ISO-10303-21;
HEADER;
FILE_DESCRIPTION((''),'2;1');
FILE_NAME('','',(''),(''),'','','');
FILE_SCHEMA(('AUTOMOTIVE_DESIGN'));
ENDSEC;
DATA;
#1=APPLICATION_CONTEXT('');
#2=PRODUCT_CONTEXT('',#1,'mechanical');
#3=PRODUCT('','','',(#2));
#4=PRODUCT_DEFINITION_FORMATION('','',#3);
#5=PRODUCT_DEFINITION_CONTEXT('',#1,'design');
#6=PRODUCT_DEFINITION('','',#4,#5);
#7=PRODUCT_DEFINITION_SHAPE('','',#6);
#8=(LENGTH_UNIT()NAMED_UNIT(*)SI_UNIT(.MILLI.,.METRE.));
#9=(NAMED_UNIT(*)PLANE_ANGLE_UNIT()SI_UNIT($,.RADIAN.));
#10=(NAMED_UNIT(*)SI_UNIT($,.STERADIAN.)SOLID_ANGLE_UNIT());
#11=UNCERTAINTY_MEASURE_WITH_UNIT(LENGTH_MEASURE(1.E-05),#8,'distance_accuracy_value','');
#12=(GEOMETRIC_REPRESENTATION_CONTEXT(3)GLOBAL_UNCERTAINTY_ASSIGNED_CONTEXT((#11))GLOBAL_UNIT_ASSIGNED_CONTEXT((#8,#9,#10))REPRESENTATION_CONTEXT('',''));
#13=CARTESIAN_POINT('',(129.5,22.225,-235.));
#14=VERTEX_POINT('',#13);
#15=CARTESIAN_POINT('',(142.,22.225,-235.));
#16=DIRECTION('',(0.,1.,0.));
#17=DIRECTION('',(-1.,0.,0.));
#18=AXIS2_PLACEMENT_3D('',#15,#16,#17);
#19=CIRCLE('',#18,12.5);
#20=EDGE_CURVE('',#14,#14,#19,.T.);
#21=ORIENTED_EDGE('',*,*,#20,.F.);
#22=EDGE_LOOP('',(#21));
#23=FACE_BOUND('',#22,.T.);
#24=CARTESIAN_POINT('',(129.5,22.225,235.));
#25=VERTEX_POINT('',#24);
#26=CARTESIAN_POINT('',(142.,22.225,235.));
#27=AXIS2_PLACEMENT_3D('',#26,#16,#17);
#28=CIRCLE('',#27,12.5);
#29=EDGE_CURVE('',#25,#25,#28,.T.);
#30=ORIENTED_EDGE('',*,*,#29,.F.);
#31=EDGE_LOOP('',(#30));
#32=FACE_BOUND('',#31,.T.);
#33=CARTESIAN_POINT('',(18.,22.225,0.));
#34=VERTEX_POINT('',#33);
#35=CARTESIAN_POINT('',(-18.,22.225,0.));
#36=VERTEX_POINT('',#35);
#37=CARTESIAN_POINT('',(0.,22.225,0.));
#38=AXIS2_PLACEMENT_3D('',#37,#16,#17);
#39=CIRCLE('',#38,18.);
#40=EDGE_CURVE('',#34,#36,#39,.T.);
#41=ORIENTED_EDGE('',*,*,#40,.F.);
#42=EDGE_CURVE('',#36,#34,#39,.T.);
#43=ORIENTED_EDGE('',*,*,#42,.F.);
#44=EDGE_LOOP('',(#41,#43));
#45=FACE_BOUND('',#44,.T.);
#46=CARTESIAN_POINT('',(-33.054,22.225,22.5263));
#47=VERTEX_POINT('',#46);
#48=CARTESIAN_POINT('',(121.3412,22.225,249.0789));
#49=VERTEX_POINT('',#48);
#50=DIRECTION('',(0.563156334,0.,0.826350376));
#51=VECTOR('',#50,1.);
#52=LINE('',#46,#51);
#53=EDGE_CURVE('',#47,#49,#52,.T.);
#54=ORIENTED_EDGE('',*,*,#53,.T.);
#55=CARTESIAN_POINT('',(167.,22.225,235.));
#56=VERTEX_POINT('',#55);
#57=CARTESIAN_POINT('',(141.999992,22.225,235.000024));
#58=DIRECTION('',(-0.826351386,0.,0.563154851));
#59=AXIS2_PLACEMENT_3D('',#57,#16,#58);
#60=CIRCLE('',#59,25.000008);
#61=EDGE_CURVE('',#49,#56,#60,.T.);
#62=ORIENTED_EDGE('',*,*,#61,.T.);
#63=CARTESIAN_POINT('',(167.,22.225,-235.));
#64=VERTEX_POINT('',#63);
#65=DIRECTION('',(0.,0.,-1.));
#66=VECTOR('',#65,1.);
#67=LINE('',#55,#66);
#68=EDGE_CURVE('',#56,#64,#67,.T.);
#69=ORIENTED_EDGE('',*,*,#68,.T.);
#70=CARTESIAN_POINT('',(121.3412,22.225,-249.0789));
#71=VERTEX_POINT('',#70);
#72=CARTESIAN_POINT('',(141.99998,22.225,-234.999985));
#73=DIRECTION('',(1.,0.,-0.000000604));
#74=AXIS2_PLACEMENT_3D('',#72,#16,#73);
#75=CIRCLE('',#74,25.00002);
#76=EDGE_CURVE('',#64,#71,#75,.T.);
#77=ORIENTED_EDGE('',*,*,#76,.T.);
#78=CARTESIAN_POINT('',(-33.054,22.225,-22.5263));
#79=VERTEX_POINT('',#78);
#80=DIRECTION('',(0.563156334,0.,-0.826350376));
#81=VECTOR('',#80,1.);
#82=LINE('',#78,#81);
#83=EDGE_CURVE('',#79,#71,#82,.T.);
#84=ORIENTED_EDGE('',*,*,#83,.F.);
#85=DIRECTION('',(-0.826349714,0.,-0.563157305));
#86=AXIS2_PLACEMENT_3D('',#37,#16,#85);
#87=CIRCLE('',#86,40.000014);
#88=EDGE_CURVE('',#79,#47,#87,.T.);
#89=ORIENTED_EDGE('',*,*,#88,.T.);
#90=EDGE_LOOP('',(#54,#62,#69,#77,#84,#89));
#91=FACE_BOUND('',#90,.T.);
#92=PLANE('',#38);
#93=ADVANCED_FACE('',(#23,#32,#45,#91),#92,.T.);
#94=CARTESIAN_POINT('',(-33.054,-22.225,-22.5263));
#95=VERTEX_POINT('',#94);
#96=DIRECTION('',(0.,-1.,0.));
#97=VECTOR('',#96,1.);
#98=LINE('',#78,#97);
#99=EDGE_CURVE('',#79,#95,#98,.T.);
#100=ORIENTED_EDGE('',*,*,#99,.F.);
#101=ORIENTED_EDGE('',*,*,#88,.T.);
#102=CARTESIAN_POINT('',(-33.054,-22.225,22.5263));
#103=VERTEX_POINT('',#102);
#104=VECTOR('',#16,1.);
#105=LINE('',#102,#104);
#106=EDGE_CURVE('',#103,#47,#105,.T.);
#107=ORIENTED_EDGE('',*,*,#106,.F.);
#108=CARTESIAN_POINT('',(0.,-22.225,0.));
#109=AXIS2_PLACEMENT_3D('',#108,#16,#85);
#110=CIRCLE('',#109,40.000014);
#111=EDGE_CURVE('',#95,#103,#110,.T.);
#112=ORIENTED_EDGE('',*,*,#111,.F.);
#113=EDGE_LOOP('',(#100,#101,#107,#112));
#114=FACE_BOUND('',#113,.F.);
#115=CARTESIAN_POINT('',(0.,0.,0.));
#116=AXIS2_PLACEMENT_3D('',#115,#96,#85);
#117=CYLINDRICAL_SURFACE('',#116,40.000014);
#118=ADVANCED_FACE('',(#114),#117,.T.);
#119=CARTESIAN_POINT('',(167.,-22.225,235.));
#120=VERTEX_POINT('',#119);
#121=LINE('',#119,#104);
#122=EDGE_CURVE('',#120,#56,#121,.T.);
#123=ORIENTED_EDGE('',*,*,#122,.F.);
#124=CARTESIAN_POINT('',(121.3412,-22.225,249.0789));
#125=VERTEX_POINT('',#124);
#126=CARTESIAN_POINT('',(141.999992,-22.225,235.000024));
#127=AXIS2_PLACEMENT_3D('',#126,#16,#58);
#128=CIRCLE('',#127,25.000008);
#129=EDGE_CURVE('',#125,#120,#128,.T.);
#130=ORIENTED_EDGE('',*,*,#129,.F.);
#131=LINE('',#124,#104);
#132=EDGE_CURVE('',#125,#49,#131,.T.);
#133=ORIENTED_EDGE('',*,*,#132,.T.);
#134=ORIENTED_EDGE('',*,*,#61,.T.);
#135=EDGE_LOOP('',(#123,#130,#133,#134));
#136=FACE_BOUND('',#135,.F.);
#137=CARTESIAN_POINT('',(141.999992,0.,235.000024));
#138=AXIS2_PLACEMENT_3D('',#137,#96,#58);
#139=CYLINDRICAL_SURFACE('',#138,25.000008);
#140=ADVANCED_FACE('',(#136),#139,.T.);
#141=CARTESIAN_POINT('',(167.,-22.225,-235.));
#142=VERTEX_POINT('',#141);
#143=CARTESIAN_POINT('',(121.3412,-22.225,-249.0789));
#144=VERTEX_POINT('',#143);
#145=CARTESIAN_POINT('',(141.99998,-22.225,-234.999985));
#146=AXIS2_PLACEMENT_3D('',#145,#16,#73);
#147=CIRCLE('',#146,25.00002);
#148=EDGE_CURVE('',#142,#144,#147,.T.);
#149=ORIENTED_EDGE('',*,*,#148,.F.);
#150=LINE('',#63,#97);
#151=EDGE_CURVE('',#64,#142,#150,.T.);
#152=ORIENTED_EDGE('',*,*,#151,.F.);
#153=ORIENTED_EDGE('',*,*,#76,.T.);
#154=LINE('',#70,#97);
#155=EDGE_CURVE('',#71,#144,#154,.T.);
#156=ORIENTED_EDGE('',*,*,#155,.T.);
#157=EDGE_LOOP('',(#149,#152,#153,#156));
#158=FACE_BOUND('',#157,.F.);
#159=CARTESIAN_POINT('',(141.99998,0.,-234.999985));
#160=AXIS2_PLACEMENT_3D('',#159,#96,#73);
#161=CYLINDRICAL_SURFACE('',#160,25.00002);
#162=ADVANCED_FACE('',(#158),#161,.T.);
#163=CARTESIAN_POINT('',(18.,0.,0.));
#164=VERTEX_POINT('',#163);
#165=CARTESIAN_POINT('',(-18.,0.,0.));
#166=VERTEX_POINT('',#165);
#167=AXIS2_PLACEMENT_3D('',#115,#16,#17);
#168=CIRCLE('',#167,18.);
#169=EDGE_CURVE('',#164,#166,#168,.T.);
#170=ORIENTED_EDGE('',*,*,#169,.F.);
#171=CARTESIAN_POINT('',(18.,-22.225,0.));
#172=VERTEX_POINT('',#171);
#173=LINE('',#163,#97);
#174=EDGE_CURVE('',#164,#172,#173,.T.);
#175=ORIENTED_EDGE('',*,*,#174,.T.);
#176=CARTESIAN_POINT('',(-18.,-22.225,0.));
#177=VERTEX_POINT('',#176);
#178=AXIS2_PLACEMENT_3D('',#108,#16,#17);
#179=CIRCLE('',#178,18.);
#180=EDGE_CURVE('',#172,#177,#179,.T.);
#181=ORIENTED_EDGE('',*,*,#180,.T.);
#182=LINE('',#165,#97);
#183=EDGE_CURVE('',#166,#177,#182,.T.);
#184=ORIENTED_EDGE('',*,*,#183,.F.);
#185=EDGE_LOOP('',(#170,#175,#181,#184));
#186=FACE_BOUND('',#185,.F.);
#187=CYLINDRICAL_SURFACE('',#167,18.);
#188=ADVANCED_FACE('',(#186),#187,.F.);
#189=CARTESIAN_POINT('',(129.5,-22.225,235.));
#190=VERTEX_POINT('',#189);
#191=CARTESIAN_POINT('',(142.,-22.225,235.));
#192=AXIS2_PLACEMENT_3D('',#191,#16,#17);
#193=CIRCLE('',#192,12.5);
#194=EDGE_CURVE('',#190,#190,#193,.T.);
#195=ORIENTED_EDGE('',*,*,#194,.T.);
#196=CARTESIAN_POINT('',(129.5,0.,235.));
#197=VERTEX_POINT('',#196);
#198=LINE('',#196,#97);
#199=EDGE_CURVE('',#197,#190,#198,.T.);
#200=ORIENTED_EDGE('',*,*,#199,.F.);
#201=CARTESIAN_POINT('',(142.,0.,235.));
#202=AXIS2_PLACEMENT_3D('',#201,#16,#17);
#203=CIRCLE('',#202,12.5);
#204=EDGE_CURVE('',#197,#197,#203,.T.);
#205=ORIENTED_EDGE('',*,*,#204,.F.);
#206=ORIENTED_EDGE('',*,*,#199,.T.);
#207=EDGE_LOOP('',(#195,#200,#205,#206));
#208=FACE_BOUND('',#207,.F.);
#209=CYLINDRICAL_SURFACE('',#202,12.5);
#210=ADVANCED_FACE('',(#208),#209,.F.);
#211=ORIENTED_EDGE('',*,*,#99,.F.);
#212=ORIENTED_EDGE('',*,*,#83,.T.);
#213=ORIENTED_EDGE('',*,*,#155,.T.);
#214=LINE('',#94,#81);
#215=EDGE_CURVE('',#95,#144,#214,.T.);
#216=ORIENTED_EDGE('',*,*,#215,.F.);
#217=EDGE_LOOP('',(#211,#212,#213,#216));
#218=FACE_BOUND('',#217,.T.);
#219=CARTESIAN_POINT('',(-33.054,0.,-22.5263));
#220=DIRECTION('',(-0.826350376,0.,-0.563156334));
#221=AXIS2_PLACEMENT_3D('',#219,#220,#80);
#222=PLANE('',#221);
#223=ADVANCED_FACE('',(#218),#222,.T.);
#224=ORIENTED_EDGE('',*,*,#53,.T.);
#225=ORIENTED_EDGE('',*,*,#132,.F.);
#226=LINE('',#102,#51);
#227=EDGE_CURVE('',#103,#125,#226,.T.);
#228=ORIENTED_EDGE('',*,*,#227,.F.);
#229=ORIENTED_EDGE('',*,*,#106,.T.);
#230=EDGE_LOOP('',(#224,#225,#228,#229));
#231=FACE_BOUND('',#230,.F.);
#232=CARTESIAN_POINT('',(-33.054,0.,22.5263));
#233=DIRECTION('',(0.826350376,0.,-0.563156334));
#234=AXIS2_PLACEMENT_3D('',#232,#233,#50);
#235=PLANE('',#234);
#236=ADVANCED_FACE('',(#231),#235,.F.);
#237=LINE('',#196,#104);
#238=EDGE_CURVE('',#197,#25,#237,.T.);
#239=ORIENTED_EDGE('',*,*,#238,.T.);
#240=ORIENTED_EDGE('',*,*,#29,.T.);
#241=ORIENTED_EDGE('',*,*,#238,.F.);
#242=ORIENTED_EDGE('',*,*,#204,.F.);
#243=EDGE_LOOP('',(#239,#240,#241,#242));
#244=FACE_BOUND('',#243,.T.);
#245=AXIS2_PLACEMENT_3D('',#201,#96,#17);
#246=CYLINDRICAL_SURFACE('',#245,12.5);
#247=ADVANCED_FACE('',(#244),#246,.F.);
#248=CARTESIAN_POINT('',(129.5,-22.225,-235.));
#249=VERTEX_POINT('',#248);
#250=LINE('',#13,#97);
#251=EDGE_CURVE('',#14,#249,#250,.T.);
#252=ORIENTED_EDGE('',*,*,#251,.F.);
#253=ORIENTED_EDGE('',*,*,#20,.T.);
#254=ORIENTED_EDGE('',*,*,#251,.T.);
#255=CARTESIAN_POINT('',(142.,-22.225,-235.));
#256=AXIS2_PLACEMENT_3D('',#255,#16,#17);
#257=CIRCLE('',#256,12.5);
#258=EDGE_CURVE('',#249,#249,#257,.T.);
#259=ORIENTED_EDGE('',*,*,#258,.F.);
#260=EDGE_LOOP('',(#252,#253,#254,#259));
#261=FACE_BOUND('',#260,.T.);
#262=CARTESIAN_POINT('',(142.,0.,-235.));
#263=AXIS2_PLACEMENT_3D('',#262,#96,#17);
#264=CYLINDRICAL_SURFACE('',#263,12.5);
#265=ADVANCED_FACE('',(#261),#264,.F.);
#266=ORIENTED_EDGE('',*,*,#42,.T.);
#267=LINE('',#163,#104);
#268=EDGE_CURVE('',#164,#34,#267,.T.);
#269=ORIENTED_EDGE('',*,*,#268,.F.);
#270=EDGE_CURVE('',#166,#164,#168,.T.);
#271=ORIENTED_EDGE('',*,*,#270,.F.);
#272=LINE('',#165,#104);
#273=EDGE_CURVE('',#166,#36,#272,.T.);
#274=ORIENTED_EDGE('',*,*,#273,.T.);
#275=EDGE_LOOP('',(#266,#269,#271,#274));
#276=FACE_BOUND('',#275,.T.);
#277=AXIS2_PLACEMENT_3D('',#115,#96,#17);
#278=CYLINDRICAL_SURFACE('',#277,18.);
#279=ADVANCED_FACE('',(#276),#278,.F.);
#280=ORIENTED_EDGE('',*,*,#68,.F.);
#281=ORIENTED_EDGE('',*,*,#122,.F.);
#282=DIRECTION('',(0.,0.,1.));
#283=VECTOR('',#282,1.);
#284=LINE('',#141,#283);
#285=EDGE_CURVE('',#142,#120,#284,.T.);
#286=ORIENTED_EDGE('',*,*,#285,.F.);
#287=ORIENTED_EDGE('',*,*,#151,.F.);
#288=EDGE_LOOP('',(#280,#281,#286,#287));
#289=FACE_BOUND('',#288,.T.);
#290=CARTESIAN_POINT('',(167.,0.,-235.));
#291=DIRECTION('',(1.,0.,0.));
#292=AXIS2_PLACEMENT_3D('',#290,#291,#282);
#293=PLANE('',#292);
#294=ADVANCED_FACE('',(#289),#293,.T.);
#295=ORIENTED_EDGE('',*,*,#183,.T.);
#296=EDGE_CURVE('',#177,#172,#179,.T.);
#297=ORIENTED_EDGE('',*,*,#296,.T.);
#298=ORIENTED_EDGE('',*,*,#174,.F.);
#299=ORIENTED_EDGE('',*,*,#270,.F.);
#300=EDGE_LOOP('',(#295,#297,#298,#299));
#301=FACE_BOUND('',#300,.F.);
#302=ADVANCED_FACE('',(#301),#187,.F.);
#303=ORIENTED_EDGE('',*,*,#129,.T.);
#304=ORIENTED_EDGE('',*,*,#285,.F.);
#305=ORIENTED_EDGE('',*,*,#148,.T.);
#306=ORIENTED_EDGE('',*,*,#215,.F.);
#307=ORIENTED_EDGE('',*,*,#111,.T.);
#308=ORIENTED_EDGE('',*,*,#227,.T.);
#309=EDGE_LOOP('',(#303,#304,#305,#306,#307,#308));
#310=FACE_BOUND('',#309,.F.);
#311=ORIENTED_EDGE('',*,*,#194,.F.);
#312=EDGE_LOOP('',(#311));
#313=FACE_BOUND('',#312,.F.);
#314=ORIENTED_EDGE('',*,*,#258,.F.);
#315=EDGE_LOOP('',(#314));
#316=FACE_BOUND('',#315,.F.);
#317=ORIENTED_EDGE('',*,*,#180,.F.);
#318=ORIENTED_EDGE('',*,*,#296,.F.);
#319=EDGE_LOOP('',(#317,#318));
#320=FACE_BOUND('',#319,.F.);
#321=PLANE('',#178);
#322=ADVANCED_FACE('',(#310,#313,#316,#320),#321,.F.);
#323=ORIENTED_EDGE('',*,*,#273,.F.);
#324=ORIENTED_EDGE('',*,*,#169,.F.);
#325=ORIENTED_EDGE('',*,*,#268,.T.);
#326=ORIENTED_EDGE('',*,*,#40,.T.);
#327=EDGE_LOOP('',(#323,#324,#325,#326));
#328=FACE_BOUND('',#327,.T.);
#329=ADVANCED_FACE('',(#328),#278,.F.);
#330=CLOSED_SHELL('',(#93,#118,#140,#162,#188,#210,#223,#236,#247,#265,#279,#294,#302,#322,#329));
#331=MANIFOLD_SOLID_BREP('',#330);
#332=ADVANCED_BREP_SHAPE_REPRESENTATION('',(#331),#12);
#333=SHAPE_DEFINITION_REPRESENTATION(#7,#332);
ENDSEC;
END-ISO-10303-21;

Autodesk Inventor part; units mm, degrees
ref_plane "YZ Plane" through (0, 0, 0) normal (1, 0, 0) x (0, 1, 0)
ref_plane "XZ Plane" through (0, 0, 0) normal (0, 1, 0) x (-1, 0, 0)
ref_plane "XY Plane" through (0, 0, 0) normal (0, 0, 1) x (1, 0, 0)
sketch "Sketch1" plane through (0, 0, 0) normal (0, 1, 0) x (-1, 0, 0)
  circle A0 centre (0, 0) radius 18
  line L0 (33.054, 22.5263) -> (-121.3412, 249.0789)
  line L1 (-167, 235) -> (-167, 75.4136)
  circle A1 centre (-142, 235) radius 12.5
  line L2 (0, 0) -> (-142, 0)
  line L3 (33.054, -22.5263) -> (-121.3412, -249.0789)
  line L4 (-167, -235) -> (-167, 75.4136)
  circle A2 centre (-142, -235) radius 12.5
  arc A3 (-121.3412, 249.0789) -> (-167, 235) centre (-142, 235) ccw
  arc A4 (33.054, -22.5263) -> (33.054, 22.5263) centre (0, 0) ccw
  arc A5 (-167, -235) -> (-121.3412, -249.0789) centre (-142, -235) ccw
  point P0 (-167, 316.0765)
  point P1 (-167, -316.0765)
  dimension "d0" = 36
  dimension "d1" = 25
  dimension "d4" = 142
  dimension "d6" = 470
  dimension "d9" = 25
  dimension "d10" = 40
extrude "Extrusion1" add sketch "Sketch1" along normal mid plane 44.45
properties part number "Espacador_Delta"
